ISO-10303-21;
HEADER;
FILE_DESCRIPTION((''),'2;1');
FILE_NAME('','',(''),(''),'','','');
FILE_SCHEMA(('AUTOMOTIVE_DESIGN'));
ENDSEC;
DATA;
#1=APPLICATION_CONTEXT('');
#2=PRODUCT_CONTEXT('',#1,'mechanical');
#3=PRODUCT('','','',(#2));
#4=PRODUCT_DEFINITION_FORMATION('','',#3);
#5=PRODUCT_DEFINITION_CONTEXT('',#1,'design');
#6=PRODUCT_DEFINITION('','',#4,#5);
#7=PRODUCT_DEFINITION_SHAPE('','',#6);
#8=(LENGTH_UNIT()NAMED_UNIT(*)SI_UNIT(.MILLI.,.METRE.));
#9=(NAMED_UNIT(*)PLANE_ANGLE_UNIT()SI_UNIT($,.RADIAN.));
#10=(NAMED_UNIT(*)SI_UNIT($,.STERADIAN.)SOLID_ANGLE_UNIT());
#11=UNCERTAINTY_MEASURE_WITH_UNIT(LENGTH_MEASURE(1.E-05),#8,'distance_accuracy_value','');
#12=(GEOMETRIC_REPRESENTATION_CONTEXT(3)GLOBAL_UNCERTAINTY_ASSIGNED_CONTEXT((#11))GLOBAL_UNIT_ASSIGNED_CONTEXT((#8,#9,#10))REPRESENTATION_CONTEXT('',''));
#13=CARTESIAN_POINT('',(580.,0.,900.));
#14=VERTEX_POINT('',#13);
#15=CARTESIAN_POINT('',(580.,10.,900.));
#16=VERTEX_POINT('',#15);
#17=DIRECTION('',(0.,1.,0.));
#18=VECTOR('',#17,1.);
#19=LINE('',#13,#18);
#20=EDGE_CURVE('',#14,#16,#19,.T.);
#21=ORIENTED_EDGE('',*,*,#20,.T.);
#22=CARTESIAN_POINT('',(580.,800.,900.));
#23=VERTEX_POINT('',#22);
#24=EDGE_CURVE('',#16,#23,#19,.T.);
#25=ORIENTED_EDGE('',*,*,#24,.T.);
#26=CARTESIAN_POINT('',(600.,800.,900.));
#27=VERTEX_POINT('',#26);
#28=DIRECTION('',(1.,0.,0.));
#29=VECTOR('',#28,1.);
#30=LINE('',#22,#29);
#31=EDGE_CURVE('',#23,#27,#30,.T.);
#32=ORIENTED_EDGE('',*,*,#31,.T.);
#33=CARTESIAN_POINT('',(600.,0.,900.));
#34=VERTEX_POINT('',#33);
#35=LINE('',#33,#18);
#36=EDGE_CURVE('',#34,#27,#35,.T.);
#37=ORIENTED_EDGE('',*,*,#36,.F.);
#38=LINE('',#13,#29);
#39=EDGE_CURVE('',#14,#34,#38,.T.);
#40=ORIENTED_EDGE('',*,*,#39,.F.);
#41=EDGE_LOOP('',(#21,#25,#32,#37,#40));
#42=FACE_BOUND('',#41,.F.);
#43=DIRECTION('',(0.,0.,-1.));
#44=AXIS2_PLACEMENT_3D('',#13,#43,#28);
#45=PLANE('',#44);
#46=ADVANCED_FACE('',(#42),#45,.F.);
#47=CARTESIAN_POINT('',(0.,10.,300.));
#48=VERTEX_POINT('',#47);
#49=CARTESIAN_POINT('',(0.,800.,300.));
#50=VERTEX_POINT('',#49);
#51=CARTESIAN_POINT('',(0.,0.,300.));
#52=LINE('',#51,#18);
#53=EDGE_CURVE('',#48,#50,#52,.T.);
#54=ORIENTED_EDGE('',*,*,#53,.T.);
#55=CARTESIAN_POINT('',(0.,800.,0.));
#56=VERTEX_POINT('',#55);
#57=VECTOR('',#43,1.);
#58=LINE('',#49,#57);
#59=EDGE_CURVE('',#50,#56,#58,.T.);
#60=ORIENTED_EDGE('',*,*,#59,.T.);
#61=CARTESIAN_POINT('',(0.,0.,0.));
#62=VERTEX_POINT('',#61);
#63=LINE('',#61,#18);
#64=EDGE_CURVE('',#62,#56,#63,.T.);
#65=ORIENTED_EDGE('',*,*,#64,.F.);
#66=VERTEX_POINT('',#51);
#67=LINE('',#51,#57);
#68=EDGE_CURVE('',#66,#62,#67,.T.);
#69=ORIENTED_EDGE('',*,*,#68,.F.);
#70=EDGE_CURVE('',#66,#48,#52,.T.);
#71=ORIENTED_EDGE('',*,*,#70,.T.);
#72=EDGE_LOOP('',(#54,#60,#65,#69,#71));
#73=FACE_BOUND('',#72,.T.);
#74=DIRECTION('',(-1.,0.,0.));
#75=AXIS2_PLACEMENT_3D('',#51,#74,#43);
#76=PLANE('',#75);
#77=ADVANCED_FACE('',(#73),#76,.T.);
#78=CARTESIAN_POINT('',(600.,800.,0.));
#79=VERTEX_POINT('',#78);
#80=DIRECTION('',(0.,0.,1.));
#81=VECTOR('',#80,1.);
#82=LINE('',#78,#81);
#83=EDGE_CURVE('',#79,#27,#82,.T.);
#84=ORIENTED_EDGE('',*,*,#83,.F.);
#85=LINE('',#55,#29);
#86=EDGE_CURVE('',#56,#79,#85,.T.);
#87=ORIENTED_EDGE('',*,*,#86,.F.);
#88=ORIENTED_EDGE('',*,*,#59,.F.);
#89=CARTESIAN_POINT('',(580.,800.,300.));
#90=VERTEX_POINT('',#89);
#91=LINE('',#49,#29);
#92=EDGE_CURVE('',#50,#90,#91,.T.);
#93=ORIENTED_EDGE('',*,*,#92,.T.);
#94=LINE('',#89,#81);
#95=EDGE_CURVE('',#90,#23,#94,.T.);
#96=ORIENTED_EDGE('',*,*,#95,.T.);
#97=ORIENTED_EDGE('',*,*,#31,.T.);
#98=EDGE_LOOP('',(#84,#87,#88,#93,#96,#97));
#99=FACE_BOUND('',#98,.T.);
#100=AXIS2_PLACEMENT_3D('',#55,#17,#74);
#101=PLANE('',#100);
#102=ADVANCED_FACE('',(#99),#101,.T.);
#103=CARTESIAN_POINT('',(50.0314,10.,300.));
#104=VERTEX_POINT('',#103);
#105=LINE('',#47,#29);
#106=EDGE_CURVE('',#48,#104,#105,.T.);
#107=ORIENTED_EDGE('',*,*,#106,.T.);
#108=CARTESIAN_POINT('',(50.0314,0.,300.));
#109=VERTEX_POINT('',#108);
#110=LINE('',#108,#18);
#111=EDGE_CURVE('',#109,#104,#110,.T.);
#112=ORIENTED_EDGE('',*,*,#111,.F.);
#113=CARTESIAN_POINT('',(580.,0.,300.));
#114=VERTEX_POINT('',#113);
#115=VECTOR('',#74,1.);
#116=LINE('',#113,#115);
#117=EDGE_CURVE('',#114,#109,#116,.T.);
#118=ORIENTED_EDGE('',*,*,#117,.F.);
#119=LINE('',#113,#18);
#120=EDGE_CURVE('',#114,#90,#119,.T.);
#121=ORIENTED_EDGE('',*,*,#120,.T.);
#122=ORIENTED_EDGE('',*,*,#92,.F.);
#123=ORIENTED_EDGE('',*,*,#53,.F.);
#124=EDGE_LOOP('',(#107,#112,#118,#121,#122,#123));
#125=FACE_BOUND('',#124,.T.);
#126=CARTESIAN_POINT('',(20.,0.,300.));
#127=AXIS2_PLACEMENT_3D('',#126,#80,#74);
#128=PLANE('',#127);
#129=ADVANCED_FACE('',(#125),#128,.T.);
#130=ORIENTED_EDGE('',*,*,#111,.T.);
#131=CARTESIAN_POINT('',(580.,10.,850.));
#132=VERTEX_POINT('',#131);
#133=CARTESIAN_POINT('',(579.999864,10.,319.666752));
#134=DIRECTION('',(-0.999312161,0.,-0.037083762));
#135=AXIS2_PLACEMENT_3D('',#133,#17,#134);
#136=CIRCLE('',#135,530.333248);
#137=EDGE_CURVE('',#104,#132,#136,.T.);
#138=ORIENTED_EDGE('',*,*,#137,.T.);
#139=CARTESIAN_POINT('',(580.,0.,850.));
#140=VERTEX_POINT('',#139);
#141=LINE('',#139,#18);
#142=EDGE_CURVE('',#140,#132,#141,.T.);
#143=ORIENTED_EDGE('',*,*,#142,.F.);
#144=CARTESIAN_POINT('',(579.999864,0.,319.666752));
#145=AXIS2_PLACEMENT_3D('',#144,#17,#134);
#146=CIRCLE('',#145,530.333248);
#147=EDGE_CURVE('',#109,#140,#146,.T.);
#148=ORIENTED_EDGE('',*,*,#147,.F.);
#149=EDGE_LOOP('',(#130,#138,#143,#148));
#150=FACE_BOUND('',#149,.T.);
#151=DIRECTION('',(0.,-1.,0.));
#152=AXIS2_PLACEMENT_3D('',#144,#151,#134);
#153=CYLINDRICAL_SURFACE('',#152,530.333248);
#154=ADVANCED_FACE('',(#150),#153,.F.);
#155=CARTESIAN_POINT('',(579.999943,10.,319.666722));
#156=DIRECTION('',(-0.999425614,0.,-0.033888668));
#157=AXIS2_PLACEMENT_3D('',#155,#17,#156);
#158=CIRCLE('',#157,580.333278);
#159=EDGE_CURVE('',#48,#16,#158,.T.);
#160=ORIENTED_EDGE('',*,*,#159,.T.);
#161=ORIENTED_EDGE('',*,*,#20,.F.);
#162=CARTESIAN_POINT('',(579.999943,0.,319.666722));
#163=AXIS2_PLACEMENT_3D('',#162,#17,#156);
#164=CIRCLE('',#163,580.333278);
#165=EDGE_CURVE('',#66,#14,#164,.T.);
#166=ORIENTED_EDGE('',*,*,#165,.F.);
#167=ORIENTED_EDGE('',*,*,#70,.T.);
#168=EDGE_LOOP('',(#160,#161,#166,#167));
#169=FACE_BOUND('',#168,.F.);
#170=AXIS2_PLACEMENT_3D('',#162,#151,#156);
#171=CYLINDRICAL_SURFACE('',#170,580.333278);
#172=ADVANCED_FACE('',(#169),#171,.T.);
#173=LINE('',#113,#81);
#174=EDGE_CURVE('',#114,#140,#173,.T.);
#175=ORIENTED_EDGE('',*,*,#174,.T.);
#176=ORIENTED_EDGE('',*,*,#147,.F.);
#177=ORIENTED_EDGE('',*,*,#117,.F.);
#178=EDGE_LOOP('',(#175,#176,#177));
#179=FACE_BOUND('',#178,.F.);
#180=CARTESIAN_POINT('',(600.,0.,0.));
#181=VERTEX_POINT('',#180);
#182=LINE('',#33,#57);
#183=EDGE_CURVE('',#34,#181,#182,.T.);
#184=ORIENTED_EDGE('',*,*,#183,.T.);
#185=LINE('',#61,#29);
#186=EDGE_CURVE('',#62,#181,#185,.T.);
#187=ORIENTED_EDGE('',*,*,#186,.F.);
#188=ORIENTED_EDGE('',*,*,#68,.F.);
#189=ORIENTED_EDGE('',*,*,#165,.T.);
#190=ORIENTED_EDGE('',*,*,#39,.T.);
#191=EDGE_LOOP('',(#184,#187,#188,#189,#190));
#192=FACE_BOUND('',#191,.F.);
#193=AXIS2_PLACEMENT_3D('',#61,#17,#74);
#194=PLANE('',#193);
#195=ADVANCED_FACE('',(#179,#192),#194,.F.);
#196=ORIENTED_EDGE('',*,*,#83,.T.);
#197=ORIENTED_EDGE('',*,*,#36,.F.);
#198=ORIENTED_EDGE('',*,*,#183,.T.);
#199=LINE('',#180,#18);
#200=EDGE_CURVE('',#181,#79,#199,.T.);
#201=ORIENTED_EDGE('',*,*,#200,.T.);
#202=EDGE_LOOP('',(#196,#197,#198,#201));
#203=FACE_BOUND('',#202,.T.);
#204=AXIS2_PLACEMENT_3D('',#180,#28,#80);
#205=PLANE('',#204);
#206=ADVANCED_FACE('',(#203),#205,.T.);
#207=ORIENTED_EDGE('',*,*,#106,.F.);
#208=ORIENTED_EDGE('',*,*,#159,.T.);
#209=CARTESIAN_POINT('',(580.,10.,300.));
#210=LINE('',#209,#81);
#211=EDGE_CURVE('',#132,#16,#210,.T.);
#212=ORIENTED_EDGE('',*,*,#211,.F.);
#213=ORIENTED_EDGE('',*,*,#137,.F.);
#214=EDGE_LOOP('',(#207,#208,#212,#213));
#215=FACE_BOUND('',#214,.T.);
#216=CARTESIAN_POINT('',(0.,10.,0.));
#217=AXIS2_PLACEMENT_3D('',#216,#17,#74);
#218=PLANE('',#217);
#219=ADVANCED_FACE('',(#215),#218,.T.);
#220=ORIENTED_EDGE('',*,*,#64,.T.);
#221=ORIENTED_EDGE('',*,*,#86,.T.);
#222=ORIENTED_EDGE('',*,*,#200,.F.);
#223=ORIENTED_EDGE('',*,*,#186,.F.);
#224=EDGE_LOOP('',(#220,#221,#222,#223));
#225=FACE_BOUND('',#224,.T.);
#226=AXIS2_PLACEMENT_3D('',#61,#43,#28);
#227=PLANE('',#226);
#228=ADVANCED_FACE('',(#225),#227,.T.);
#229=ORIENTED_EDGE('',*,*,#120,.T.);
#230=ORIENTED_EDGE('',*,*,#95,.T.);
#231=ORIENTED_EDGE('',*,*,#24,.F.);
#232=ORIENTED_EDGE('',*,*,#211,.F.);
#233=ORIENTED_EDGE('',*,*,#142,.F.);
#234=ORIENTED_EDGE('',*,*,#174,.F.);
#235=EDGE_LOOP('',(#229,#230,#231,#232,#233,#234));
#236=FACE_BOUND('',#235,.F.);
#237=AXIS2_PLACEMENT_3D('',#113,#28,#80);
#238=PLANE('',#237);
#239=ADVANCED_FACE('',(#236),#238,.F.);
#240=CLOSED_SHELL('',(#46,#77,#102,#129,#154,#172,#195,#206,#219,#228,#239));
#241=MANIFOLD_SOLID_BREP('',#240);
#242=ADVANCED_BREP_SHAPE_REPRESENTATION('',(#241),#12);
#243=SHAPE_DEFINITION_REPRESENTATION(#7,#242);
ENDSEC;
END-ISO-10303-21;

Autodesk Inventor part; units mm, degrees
ref_plane "YZ Plane" through (0, 0, 0) normal (1, 0, 0) x (0, 1, 0)
ref_plane "XZ Plane" through (0, 0, 0) normal (0, 1, 0) x (-1, 0, 0)
ref_plane "XY Plane" through (0, 0, 0) normal (0, 0, 1) x (1, 0, 0)
sketch "Sketch1" plane through (0, 0, 0) normal (0, 1, 0) x (-1, 0, 0)
  line L0 (0, 0) -> (-600, 0)
  line L1 (-600, 0) -> (-600, 300)
  line L2 (-600, 300) -> (0, 300)
  line L3 (0, 300) -> (0, 0)
  line L4 (0, 300) -> (-20, 300)
  line L5 (-600, 300) -> (-580, 300)
  line L6 (-580, 300) -> (-580, 900)
  line L7 (-580, 900) -> (-600, 900)
  line L8 (-600, 900) -> (-600, 300)
  dimension "d0" = 600
  dimension "d1" = 300
  dimension "d9" = 600
  dimension "d10" = 20
extrude "Extrusion1" add sketch "Sketch1" along normal blind 800
sketch "Sketch3" plane through (0, 0, 0) normal (0, 1, 0) x (-1, 0, 0)
  line L0 (0, 300) -> (-580, 300) projected
  line L1 (-580, 300) -> (-580, 900) projected
  line L2 (-580, 900) -> (-600, 900) projected
  line L3 (-600, 900) -> (-600, 0) projected
  line L4 (-600, 0) -> (0, 0) projected
  line L5 (0, 0) -> (0, 300) projected
  arc A0 (0, 300) -> (-580, 900) centre (-580, 319.6667) ccw
  arc A1 (-50.0314, 300) -> (-580, 850) centre (-580, 319.6667) ccw
  dimension "d11" = 50
extrude "Extrusion3" add sketch "Sketch3" along normal blind 10 contours L0 A1 L1 A0
equation "\"d9\" = d0"
properties part number "Electrical box 1"
